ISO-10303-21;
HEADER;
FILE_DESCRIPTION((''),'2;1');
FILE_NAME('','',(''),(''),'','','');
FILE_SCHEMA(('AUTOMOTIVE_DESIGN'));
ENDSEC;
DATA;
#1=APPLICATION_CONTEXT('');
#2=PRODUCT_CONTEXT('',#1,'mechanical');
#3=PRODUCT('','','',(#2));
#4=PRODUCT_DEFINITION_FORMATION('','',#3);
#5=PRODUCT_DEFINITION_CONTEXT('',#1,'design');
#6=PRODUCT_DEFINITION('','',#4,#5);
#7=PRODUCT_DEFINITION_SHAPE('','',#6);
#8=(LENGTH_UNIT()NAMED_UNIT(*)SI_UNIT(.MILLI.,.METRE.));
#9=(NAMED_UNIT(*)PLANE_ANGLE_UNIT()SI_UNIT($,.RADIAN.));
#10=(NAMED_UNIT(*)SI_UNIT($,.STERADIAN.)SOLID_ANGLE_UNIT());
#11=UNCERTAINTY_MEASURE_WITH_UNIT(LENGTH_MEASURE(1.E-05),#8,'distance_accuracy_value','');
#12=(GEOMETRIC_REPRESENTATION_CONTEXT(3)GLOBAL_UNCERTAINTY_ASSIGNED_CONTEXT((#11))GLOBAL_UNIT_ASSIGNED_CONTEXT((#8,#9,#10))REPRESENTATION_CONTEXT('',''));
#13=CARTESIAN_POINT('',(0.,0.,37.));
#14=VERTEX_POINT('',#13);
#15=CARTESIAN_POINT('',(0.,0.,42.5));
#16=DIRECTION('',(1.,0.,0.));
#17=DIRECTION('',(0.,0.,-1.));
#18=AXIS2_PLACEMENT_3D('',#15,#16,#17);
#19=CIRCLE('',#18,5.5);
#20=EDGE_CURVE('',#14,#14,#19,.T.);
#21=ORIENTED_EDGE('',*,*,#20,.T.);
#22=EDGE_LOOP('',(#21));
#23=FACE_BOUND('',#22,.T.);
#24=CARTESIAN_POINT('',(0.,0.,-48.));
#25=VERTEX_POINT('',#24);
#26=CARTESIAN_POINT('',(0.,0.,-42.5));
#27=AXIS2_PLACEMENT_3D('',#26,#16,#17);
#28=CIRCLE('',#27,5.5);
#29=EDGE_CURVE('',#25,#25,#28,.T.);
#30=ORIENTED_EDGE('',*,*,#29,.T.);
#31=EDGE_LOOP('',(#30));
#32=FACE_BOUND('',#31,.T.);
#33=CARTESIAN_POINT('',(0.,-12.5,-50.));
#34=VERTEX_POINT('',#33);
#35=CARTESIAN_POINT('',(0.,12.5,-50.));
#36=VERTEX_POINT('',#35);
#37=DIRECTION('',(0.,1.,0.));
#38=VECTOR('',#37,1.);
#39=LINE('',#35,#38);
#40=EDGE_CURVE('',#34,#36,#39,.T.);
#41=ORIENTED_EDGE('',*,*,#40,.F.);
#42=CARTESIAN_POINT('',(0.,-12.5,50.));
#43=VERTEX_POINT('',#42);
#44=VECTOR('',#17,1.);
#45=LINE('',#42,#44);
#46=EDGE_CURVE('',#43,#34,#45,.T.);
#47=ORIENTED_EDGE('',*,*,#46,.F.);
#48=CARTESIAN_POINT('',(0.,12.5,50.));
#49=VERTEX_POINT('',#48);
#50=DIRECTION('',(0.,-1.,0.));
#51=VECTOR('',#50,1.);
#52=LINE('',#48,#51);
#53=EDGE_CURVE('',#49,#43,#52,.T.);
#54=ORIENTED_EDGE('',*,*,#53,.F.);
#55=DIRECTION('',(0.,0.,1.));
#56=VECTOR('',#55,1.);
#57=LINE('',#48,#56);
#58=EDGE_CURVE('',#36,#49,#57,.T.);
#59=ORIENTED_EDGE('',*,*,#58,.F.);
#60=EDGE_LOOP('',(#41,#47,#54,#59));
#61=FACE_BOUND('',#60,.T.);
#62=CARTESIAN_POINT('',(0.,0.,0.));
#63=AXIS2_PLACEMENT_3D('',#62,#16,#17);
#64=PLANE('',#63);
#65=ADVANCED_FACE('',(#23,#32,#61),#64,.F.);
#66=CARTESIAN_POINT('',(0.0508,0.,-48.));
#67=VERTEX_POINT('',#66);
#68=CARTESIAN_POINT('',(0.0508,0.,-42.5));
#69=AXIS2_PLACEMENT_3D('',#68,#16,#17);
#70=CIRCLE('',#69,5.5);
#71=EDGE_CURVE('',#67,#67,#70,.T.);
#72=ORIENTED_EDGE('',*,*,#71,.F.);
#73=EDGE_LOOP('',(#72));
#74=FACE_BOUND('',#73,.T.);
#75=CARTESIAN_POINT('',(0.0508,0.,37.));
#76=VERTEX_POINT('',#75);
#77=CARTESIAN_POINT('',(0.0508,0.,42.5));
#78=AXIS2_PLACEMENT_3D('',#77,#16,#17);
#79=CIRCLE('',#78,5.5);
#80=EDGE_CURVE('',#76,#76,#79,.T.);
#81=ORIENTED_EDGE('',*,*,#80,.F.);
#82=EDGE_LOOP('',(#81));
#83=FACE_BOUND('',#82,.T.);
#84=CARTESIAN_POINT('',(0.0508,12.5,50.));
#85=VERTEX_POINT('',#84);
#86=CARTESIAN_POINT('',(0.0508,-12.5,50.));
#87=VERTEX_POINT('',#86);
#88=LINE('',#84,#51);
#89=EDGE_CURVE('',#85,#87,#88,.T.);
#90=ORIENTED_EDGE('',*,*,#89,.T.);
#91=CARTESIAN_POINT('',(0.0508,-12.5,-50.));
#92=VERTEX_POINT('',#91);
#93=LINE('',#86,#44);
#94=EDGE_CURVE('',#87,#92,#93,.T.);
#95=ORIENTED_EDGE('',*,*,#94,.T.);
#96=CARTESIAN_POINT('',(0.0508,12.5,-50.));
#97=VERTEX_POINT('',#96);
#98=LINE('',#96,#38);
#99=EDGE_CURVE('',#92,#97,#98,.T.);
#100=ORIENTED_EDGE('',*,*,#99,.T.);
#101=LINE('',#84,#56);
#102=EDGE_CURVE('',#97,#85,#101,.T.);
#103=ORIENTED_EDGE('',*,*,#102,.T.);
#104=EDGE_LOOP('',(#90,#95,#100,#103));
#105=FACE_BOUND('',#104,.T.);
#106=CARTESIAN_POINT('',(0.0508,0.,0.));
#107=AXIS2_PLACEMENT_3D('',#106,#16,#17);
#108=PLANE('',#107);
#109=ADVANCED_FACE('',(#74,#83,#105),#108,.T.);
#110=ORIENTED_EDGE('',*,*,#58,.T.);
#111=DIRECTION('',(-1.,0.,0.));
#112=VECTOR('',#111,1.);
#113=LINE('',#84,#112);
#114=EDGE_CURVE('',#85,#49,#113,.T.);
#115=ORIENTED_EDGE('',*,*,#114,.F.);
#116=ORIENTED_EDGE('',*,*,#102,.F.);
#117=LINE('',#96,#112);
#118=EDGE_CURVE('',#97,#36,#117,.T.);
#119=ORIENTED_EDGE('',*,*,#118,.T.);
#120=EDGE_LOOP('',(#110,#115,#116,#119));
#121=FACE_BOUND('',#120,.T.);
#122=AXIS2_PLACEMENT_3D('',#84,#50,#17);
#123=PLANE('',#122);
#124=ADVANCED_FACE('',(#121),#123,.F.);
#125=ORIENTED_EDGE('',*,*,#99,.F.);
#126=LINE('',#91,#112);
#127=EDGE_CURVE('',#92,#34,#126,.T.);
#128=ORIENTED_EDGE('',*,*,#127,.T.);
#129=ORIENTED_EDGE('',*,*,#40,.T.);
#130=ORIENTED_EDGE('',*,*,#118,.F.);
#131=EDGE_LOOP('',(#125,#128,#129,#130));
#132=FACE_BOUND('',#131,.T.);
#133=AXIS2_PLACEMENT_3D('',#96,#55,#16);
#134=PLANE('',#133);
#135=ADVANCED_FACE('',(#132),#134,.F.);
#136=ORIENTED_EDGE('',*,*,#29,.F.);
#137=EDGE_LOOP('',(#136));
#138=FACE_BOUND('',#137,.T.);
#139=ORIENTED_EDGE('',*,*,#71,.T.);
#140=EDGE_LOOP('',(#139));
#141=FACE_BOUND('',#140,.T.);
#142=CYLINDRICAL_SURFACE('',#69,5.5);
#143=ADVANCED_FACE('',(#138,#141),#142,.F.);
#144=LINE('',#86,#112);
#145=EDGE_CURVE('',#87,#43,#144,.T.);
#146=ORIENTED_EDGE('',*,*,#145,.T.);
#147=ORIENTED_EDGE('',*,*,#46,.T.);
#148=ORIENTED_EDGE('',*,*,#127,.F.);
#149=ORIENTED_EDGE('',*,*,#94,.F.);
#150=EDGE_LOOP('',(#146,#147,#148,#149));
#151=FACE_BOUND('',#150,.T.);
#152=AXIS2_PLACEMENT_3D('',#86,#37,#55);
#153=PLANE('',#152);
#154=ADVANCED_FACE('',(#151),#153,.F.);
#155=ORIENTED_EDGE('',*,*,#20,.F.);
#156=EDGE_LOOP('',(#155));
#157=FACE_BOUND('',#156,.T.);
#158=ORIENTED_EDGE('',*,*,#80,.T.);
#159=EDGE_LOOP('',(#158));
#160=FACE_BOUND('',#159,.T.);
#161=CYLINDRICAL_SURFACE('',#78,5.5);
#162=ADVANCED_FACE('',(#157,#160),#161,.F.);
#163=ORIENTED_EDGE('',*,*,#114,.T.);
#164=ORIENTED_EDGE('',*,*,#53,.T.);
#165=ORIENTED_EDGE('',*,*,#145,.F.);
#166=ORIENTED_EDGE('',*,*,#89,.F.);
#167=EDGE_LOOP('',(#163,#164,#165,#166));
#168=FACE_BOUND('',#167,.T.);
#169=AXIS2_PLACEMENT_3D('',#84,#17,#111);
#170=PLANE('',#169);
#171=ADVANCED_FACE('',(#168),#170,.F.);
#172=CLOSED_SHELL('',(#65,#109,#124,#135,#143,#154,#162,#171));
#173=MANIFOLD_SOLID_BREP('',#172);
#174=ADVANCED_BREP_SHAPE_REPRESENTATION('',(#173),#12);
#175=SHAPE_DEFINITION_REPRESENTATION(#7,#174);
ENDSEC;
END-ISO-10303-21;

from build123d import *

# Parameters (mm, degrees)
SKETCH1_W             = 100
SKETCH1_H             = 25
BOSS_EXTRUDE1_DEPTH   = 0.0508
M10_CLEARANCE_HOLE1_D = 11


with BuildPart() as part:
    # Sketch1 → Boss-Extrude1 (new body)
    with BuildSketch(Plane(origin=(0, 0, 0), x_dir=(0, 0, -1), z_dir=(1, 0, 0))):
        Rectangle(SKETCH1_W, SKETCH1_H)
    extrude(amount=BOSS_EXTRUDE1_DEPTH)

    # M10 Clearance Hole1 (through all)
    with Locations(Plane(origin=(0.0508, 0, 0), x_dir=(0, 0, -1), z_dir=(1, 0, 0))):
        with Locations((-42.5, 0), (42.5, 0)):
            Hole(M10_CLEARANCE_HOLE1_D / 2)


solid = part.part
